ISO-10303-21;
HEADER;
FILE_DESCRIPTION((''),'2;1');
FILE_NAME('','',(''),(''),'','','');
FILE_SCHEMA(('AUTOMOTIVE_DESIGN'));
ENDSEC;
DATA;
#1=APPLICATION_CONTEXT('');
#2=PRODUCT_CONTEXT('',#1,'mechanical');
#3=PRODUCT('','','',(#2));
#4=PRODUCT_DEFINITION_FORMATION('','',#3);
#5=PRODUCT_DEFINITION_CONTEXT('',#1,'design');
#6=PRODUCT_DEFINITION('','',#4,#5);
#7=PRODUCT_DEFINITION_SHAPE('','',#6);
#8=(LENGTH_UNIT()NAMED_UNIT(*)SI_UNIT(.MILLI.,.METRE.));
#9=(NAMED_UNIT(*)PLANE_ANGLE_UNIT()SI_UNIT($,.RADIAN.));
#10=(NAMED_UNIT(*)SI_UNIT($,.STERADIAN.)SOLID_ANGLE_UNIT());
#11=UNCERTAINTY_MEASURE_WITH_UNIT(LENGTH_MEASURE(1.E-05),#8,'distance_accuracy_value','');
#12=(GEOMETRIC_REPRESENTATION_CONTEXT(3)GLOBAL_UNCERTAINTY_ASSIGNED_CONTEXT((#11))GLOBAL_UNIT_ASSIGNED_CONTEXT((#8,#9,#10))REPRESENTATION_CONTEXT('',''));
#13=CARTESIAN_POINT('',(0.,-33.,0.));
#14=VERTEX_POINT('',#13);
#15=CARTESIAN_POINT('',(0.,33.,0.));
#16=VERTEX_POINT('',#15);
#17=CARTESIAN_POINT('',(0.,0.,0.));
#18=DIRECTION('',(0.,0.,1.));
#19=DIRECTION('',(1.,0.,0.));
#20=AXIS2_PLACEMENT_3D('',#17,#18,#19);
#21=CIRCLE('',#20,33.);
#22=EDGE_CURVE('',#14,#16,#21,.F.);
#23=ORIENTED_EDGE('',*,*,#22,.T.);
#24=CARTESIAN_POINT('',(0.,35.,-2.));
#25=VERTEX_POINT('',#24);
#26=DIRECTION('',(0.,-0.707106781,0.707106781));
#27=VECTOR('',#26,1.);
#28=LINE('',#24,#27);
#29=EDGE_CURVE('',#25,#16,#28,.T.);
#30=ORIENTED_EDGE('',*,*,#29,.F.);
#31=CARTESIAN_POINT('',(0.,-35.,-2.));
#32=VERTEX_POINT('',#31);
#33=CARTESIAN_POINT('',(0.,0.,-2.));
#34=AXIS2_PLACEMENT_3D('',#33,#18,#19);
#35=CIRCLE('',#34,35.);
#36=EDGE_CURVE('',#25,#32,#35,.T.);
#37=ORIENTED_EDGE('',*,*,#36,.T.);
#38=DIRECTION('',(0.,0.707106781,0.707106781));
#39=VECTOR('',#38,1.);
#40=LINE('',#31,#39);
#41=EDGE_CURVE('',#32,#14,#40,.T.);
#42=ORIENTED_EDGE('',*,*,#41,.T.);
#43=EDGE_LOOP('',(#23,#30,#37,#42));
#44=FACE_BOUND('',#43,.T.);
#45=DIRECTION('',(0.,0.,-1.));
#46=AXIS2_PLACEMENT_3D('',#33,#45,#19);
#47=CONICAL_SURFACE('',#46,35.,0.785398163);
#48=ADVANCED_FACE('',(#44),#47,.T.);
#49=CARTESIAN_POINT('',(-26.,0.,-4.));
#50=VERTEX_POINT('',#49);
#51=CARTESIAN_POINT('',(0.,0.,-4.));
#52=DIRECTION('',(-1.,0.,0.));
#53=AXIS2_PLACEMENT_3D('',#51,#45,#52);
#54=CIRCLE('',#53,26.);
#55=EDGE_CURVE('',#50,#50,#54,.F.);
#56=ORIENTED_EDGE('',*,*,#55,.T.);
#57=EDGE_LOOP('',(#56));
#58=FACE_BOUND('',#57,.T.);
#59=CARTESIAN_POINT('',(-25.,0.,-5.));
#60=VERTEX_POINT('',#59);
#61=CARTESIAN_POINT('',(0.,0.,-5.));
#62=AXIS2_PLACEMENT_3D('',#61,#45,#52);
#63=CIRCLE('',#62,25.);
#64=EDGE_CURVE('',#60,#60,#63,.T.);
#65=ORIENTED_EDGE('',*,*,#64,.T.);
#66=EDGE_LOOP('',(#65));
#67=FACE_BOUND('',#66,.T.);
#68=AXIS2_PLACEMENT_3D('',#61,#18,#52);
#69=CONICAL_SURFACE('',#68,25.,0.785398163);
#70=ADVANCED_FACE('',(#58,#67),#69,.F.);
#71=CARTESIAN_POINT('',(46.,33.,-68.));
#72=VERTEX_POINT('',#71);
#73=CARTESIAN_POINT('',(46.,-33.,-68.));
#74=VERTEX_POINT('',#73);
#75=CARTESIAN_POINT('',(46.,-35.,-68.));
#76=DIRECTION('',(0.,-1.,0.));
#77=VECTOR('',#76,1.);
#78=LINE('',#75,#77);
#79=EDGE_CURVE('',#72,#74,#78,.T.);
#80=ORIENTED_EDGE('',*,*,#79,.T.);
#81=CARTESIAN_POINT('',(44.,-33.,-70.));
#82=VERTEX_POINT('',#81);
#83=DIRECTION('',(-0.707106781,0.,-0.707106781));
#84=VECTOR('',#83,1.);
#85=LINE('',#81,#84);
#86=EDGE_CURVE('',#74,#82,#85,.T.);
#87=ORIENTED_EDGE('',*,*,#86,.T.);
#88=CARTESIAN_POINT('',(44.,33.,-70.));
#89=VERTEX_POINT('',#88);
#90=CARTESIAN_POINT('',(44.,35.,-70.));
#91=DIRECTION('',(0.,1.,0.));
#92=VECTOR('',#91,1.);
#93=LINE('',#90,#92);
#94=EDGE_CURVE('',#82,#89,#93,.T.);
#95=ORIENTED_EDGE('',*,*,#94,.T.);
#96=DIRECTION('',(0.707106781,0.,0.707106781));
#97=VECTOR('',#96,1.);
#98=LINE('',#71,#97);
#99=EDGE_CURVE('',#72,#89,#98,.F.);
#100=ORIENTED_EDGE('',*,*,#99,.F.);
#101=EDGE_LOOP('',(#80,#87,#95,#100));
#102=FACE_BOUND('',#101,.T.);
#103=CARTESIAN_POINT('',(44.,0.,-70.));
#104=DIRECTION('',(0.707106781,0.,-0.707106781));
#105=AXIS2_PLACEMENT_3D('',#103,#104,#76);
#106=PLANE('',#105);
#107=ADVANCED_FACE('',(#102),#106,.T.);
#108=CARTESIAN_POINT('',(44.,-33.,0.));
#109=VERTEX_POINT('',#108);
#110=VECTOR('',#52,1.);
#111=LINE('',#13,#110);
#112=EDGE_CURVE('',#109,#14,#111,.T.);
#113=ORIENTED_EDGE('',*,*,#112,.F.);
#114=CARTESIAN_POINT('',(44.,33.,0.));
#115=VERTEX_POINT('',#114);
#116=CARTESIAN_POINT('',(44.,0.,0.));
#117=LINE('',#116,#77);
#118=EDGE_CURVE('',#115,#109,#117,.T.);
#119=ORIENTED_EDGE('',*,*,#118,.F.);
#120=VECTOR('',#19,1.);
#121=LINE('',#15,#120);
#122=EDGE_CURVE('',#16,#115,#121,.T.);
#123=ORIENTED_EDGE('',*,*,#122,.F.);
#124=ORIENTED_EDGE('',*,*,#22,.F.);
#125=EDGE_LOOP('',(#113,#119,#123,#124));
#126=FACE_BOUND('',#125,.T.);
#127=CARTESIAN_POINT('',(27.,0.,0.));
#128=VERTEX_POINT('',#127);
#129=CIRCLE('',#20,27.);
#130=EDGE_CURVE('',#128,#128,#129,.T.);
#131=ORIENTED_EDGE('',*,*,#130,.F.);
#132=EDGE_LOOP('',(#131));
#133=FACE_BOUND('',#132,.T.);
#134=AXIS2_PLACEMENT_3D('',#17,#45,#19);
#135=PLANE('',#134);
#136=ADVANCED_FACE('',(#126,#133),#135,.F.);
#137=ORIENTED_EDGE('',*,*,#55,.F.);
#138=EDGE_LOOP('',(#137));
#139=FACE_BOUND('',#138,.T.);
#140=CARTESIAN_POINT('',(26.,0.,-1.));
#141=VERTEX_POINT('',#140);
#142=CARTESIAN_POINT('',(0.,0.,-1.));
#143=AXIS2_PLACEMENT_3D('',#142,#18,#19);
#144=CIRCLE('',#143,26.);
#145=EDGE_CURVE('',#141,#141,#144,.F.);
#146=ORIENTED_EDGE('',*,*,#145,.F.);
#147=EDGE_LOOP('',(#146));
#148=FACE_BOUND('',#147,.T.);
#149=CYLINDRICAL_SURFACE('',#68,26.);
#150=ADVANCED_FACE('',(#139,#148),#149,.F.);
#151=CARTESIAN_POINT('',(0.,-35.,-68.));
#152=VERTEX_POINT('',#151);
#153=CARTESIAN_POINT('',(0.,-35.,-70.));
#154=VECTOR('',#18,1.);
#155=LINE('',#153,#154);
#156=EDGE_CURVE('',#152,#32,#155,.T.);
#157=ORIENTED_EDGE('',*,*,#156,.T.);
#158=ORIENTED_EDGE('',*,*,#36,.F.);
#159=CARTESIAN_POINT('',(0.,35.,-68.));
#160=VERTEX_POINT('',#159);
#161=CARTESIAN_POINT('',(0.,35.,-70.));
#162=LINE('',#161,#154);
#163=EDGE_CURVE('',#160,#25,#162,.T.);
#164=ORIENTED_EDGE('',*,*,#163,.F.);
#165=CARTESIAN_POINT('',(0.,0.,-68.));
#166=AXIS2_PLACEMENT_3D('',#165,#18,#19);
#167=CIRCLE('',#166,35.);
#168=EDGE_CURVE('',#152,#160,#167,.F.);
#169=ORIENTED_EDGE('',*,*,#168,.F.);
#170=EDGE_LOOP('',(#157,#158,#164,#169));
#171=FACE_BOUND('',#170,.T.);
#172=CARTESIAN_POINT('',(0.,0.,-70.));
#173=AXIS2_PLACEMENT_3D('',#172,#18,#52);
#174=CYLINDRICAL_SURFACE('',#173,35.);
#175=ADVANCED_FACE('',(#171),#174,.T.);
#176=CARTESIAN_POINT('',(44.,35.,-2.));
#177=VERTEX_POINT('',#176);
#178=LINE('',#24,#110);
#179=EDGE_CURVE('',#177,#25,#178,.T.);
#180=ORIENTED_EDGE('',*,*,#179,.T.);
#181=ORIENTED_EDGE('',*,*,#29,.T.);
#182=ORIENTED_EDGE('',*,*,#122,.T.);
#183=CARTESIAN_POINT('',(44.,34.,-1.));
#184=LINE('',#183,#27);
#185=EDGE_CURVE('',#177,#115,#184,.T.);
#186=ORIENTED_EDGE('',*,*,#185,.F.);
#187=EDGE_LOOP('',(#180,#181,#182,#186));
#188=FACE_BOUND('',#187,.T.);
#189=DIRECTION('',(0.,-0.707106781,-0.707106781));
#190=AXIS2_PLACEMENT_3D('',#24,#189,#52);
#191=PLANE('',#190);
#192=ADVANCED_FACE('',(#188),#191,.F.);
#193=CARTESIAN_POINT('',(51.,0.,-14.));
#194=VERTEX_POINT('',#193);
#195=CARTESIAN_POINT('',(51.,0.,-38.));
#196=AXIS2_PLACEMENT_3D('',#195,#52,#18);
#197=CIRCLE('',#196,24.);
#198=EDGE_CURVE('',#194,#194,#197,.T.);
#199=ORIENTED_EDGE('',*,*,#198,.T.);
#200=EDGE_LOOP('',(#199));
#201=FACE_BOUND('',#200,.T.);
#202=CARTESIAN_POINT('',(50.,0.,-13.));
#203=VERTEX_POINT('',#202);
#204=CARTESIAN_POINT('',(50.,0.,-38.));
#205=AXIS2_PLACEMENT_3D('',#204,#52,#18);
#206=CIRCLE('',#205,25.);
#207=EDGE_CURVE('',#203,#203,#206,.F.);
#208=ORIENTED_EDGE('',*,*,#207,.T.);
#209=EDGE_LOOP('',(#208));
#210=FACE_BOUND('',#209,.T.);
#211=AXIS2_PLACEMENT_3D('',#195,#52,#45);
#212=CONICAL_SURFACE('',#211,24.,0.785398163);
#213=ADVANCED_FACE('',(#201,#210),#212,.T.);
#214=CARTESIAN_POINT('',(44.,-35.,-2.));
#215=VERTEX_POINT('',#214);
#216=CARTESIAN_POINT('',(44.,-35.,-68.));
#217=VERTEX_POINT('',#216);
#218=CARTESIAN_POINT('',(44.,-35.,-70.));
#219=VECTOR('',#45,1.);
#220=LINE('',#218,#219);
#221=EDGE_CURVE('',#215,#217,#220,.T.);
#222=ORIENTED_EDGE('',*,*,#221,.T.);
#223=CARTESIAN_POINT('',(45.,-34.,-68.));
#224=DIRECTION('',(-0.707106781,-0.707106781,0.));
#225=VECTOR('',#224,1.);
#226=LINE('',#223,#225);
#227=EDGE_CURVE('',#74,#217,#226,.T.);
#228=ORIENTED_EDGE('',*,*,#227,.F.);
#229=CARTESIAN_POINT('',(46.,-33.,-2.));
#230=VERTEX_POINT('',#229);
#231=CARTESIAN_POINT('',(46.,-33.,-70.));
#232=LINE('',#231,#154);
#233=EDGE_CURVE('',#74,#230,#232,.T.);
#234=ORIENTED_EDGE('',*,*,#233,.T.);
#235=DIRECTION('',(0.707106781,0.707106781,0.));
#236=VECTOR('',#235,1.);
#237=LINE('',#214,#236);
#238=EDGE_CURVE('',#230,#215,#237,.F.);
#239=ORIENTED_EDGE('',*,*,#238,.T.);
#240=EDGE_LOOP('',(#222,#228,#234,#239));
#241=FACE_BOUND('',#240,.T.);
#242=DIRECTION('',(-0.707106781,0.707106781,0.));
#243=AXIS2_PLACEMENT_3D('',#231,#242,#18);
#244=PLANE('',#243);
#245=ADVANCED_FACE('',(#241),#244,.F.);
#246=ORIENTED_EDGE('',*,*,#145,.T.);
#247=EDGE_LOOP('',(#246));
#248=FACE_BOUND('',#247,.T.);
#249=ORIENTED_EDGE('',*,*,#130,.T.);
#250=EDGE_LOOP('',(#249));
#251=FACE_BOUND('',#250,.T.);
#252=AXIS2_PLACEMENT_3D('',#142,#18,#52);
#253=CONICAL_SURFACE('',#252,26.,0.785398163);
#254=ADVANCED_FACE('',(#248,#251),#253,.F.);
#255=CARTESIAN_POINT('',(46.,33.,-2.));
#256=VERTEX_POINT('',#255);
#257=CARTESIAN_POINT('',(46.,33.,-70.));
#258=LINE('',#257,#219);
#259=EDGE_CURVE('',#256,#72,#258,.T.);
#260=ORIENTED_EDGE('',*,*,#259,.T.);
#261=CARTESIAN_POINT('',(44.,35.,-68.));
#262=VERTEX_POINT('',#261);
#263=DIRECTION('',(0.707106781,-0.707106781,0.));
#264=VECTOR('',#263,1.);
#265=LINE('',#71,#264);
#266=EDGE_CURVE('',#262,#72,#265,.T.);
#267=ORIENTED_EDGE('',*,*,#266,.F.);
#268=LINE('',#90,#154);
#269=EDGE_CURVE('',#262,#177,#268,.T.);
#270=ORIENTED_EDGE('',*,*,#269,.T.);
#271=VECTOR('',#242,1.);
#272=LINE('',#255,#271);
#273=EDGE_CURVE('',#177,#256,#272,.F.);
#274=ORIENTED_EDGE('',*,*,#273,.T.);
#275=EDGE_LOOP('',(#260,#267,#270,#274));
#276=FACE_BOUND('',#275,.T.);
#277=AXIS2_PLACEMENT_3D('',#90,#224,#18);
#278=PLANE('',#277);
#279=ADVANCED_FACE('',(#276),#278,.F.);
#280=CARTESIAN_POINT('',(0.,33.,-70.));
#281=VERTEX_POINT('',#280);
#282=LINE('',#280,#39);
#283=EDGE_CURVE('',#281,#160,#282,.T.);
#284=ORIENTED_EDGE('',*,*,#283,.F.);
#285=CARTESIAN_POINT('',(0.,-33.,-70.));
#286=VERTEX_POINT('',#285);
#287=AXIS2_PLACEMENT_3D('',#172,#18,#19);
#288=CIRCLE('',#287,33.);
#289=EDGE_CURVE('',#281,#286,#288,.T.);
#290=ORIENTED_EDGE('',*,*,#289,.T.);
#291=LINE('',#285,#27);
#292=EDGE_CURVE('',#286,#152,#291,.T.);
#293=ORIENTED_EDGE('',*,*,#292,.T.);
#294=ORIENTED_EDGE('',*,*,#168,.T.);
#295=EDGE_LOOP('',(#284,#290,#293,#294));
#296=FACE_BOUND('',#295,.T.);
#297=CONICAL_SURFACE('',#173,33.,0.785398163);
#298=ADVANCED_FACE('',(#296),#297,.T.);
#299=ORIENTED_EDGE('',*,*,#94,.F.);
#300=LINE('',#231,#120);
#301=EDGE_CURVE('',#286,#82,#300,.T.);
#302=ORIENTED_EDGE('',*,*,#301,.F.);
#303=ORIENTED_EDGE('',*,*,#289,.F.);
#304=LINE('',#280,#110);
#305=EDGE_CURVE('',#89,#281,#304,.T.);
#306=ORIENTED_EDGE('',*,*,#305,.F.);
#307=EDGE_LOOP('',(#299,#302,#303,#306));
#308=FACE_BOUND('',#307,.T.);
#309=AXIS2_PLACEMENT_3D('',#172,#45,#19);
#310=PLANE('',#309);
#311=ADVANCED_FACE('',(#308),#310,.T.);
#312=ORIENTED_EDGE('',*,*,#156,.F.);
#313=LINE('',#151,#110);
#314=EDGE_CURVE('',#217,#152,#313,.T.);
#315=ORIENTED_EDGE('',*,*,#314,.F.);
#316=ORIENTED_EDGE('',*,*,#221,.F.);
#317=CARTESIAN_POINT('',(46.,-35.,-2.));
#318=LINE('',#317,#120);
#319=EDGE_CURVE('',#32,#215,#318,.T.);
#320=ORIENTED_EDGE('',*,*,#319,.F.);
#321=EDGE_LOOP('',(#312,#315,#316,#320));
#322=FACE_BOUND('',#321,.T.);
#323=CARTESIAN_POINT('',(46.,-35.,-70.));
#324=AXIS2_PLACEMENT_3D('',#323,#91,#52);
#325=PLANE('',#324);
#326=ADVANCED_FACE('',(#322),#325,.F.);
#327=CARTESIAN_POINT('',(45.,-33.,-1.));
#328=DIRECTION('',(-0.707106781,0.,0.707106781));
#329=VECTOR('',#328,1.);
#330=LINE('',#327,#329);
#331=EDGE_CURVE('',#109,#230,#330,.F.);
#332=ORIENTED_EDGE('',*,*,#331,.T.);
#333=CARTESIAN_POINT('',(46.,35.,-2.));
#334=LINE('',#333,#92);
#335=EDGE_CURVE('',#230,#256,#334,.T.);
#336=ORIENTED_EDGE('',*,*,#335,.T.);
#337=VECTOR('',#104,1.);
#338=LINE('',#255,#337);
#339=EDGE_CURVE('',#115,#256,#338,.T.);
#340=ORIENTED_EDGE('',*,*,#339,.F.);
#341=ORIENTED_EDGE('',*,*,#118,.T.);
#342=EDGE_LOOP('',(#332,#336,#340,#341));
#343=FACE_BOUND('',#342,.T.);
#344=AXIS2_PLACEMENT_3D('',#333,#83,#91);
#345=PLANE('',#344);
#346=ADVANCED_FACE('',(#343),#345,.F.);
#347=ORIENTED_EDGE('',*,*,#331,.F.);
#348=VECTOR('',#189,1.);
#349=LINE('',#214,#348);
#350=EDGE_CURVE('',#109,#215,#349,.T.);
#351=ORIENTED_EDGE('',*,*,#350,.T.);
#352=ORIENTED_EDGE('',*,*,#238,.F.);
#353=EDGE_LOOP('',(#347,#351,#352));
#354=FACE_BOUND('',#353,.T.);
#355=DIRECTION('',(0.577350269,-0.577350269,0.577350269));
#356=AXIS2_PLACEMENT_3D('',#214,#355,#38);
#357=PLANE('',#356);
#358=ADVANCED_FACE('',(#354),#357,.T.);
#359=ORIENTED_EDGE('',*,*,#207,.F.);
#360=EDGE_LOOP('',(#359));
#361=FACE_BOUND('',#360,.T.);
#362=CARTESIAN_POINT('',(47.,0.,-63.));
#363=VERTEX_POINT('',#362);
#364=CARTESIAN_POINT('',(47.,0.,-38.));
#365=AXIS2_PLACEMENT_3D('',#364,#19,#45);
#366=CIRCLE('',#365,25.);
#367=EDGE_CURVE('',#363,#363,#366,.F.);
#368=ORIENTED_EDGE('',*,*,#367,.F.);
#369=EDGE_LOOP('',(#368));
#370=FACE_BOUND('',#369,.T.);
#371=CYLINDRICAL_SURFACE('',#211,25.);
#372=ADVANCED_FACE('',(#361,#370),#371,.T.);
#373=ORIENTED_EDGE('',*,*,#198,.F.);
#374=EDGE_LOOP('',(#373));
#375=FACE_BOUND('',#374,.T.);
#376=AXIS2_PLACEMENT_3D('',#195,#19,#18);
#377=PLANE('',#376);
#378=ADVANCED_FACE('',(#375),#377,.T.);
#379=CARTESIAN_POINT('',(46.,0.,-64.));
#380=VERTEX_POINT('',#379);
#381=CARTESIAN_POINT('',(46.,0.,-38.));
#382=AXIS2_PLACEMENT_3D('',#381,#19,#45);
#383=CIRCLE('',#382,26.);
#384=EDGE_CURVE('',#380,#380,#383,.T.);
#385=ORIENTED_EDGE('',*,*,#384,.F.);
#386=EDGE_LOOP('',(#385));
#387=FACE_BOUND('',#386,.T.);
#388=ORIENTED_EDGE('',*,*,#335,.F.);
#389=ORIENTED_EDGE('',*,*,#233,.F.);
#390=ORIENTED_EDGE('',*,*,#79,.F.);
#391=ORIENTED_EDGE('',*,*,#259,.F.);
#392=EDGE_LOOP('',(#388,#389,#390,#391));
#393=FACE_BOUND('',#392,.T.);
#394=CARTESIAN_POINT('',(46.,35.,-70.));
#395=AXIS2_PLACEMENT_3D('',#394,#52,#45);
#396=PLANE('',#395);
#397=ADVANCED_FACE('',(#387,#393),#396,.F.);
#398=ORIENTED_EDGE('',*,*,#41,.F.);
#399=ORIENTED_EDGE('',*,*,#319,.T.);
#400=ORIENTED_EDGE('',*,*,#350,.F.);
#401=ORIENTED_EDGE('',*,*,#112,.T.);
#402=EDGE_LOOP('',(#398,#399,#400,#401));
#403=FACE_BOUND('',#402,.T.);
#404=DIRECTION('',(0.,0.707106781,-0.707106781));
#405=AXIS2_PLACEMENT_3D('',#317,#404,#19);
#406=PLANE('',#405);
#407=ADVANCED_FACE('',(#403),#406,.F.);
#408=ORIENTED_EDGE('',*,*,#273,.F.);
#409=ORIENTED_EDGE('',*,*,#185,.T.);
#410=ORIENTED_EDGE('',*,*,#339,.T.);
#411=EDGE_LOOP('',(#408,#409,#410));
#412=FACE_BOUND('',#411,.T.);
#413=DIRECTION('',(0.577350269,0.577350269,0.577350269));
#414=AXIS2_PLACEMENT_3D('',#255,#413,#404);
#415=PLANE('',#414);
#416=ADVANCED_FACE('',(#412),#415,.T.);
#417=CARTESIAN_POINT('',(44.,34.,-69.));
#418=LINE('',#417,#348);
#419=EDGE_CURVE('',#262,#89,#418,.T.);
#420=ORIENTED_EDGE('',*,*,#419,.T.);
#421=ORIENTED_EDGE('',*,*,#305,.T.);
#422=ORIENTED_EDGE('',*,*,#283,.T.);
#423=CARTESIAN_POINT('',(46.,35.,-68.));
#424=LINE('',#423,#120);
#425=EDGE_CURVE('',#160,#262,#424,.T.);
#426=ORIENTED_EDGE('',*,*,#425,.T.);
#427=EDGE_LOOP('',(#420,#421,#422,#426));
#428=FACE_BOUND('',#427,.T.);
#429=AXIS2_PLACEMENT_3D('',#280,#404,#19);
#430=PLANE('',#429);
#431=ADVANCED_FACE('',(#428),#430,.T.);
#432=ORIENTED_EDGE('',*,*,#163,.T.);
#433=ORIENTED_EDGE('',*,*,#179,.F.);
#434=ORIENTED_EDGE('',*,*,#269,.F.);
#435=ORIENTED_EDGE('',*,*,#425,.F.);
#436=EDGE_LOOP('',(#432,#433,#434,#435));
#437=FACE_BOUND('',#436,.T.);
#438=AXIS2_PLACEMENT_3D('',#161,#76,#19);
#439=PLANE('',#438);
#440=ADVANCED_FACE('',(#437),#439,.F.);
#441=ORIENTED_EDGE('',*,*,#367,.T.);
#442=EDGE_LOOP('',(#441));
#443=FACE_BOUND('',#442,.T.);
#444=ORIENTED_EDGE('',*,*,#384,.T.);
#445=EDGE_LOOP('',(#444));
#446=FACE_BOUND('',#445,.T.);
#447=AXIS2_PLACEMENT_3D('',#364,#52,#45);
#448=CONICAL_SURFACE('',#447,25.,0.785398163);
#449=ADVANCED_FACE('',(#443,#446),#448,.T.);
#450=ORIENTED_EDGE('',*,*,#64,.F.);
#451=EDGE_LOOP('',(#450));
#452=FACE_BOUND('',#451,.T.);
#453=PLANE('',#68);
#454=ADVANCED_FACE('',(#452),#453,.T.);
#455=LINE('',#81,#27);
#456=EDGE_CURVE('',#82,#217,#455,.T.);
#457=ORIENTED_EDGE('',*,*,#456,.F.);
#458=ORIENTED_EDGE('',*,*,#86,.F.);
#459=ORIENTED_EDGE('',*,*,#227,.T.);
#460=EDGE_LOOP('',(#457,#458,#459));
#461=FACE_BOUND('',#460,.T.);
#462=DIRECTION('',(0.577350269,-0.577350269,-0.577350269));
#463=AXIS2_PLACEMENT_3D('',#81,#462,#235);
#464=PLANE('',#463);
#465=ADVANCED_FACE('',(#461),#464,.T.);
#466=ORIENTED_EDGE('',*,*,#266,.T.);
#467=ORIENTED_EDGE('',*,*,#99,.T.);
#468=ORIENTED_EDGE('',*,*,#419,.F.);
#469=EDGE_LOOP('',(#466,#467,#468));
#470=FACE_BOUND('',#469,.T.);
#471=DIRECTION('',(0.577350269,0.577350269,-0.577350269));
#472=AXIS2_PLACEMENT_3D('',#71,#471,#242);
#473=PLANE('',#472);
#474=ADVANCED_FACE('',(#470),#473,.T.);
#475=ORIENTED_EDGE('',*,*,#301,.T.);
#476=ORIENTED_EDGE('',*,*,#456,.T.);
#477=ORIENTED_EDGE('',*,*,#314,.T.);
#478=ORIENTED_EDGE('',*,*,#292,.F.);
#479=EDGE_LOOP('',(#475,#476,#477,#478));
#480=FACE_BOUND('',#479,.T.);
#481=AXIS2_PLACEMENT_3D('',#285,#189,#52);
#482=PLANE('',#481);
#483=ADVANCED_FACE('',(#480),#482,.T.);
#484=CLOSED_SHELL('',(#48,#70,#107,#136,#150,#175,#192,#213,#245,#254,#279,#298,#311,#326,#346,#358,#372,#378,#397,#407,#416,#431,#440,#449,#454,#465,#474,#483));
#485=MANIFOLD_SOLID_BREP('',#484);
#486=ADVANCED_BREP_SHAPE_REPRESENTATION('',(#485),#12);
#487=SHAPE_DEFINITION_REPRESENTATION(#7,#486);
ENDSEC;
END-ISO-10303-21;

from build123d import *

# Parameters (mm, degrees)
BOSS_EXTRUDE1_DEPTH = 70
SKETCH4_R           = 25
BOSS_EXTRUDE2_DEPTH = 5
CHAMFER1_SIZE       = 2
SKETCH5_R           = 26
CUT_EXTRUDE1_DEPTH  = 5
CHAMFER3_SIZE       = 1


with BuildPart() as part:
    # Sketch3 → Boss-Extrude1 (new body)
    with BuildSketch(Plane.XY):
        with BuildLine():
            Line((0, 35), (46, 35))
            Line((46, 35), (46, -35))
            Line((46, -35), (0, -35))
            ThreePointArc((0, -35), (-35, 0), (0, 35))
        make_face()
    extrude(amount=BOSS_EXTRUDE1_DEPTH)

    # Sketch4 → Boss-Extrude2 (add)
    with BuildSketch(Plane(origin=(46, 0, 0), x_dir=(0, 0, -1), z_dir=(1, 0, 0))):
        with Locations(Location((-38, 0, 0), (0, 0, 180))):
            Circle(SKETCH4_R)
    extrude(amount=BOSS_EXTRUDE2_DEPTH)

    # Chamfer1
    chamfer1_edges = [part.edges().sort_by_distance(p)[0] for p in [
        (46, 0, 70),
        (23, 35, 70),
        (-35, 0, 70),
        (23, 35, 0),
        (46, 0, 0),
        (23, -35, 0),
        (-35, 0, 0),
        (23, -35, 70),
        (46, 35, 35),
        (46, -35, 35),
    ]]
    chamfer(chamfer1_edges, length=CHAMFER1_SIZE)

    # Sketch5 → Cut-Extrude1 (cut)
    with BuildSketch(Plane(origin=(0, 0, 0), x_dir=(-1, 0, 0), z_dir=(0, 0, -1))):
        Circle(SKETCH5_R)
    extrude(amount=-CUT_EXTRUDE1_DEPTH, mode=Mode.SUBTRACT)

    # Chamfer3
    chamfer3_edges = [part.edges().sort_by_distance(p)[0] for p in [
        (46, 0, 13),
        (51, 0, 13),
        (26, 0, 5),
        (26, 0, 0),
    ]]
    chamfer(chamfer3_edges, length=CHAMFER3_SIZE)


with BuildPart() as body_2:
    # Mirror1: mirrored copy
    add(part.part.mirror(Plane.XY))


solid = body_2.part
